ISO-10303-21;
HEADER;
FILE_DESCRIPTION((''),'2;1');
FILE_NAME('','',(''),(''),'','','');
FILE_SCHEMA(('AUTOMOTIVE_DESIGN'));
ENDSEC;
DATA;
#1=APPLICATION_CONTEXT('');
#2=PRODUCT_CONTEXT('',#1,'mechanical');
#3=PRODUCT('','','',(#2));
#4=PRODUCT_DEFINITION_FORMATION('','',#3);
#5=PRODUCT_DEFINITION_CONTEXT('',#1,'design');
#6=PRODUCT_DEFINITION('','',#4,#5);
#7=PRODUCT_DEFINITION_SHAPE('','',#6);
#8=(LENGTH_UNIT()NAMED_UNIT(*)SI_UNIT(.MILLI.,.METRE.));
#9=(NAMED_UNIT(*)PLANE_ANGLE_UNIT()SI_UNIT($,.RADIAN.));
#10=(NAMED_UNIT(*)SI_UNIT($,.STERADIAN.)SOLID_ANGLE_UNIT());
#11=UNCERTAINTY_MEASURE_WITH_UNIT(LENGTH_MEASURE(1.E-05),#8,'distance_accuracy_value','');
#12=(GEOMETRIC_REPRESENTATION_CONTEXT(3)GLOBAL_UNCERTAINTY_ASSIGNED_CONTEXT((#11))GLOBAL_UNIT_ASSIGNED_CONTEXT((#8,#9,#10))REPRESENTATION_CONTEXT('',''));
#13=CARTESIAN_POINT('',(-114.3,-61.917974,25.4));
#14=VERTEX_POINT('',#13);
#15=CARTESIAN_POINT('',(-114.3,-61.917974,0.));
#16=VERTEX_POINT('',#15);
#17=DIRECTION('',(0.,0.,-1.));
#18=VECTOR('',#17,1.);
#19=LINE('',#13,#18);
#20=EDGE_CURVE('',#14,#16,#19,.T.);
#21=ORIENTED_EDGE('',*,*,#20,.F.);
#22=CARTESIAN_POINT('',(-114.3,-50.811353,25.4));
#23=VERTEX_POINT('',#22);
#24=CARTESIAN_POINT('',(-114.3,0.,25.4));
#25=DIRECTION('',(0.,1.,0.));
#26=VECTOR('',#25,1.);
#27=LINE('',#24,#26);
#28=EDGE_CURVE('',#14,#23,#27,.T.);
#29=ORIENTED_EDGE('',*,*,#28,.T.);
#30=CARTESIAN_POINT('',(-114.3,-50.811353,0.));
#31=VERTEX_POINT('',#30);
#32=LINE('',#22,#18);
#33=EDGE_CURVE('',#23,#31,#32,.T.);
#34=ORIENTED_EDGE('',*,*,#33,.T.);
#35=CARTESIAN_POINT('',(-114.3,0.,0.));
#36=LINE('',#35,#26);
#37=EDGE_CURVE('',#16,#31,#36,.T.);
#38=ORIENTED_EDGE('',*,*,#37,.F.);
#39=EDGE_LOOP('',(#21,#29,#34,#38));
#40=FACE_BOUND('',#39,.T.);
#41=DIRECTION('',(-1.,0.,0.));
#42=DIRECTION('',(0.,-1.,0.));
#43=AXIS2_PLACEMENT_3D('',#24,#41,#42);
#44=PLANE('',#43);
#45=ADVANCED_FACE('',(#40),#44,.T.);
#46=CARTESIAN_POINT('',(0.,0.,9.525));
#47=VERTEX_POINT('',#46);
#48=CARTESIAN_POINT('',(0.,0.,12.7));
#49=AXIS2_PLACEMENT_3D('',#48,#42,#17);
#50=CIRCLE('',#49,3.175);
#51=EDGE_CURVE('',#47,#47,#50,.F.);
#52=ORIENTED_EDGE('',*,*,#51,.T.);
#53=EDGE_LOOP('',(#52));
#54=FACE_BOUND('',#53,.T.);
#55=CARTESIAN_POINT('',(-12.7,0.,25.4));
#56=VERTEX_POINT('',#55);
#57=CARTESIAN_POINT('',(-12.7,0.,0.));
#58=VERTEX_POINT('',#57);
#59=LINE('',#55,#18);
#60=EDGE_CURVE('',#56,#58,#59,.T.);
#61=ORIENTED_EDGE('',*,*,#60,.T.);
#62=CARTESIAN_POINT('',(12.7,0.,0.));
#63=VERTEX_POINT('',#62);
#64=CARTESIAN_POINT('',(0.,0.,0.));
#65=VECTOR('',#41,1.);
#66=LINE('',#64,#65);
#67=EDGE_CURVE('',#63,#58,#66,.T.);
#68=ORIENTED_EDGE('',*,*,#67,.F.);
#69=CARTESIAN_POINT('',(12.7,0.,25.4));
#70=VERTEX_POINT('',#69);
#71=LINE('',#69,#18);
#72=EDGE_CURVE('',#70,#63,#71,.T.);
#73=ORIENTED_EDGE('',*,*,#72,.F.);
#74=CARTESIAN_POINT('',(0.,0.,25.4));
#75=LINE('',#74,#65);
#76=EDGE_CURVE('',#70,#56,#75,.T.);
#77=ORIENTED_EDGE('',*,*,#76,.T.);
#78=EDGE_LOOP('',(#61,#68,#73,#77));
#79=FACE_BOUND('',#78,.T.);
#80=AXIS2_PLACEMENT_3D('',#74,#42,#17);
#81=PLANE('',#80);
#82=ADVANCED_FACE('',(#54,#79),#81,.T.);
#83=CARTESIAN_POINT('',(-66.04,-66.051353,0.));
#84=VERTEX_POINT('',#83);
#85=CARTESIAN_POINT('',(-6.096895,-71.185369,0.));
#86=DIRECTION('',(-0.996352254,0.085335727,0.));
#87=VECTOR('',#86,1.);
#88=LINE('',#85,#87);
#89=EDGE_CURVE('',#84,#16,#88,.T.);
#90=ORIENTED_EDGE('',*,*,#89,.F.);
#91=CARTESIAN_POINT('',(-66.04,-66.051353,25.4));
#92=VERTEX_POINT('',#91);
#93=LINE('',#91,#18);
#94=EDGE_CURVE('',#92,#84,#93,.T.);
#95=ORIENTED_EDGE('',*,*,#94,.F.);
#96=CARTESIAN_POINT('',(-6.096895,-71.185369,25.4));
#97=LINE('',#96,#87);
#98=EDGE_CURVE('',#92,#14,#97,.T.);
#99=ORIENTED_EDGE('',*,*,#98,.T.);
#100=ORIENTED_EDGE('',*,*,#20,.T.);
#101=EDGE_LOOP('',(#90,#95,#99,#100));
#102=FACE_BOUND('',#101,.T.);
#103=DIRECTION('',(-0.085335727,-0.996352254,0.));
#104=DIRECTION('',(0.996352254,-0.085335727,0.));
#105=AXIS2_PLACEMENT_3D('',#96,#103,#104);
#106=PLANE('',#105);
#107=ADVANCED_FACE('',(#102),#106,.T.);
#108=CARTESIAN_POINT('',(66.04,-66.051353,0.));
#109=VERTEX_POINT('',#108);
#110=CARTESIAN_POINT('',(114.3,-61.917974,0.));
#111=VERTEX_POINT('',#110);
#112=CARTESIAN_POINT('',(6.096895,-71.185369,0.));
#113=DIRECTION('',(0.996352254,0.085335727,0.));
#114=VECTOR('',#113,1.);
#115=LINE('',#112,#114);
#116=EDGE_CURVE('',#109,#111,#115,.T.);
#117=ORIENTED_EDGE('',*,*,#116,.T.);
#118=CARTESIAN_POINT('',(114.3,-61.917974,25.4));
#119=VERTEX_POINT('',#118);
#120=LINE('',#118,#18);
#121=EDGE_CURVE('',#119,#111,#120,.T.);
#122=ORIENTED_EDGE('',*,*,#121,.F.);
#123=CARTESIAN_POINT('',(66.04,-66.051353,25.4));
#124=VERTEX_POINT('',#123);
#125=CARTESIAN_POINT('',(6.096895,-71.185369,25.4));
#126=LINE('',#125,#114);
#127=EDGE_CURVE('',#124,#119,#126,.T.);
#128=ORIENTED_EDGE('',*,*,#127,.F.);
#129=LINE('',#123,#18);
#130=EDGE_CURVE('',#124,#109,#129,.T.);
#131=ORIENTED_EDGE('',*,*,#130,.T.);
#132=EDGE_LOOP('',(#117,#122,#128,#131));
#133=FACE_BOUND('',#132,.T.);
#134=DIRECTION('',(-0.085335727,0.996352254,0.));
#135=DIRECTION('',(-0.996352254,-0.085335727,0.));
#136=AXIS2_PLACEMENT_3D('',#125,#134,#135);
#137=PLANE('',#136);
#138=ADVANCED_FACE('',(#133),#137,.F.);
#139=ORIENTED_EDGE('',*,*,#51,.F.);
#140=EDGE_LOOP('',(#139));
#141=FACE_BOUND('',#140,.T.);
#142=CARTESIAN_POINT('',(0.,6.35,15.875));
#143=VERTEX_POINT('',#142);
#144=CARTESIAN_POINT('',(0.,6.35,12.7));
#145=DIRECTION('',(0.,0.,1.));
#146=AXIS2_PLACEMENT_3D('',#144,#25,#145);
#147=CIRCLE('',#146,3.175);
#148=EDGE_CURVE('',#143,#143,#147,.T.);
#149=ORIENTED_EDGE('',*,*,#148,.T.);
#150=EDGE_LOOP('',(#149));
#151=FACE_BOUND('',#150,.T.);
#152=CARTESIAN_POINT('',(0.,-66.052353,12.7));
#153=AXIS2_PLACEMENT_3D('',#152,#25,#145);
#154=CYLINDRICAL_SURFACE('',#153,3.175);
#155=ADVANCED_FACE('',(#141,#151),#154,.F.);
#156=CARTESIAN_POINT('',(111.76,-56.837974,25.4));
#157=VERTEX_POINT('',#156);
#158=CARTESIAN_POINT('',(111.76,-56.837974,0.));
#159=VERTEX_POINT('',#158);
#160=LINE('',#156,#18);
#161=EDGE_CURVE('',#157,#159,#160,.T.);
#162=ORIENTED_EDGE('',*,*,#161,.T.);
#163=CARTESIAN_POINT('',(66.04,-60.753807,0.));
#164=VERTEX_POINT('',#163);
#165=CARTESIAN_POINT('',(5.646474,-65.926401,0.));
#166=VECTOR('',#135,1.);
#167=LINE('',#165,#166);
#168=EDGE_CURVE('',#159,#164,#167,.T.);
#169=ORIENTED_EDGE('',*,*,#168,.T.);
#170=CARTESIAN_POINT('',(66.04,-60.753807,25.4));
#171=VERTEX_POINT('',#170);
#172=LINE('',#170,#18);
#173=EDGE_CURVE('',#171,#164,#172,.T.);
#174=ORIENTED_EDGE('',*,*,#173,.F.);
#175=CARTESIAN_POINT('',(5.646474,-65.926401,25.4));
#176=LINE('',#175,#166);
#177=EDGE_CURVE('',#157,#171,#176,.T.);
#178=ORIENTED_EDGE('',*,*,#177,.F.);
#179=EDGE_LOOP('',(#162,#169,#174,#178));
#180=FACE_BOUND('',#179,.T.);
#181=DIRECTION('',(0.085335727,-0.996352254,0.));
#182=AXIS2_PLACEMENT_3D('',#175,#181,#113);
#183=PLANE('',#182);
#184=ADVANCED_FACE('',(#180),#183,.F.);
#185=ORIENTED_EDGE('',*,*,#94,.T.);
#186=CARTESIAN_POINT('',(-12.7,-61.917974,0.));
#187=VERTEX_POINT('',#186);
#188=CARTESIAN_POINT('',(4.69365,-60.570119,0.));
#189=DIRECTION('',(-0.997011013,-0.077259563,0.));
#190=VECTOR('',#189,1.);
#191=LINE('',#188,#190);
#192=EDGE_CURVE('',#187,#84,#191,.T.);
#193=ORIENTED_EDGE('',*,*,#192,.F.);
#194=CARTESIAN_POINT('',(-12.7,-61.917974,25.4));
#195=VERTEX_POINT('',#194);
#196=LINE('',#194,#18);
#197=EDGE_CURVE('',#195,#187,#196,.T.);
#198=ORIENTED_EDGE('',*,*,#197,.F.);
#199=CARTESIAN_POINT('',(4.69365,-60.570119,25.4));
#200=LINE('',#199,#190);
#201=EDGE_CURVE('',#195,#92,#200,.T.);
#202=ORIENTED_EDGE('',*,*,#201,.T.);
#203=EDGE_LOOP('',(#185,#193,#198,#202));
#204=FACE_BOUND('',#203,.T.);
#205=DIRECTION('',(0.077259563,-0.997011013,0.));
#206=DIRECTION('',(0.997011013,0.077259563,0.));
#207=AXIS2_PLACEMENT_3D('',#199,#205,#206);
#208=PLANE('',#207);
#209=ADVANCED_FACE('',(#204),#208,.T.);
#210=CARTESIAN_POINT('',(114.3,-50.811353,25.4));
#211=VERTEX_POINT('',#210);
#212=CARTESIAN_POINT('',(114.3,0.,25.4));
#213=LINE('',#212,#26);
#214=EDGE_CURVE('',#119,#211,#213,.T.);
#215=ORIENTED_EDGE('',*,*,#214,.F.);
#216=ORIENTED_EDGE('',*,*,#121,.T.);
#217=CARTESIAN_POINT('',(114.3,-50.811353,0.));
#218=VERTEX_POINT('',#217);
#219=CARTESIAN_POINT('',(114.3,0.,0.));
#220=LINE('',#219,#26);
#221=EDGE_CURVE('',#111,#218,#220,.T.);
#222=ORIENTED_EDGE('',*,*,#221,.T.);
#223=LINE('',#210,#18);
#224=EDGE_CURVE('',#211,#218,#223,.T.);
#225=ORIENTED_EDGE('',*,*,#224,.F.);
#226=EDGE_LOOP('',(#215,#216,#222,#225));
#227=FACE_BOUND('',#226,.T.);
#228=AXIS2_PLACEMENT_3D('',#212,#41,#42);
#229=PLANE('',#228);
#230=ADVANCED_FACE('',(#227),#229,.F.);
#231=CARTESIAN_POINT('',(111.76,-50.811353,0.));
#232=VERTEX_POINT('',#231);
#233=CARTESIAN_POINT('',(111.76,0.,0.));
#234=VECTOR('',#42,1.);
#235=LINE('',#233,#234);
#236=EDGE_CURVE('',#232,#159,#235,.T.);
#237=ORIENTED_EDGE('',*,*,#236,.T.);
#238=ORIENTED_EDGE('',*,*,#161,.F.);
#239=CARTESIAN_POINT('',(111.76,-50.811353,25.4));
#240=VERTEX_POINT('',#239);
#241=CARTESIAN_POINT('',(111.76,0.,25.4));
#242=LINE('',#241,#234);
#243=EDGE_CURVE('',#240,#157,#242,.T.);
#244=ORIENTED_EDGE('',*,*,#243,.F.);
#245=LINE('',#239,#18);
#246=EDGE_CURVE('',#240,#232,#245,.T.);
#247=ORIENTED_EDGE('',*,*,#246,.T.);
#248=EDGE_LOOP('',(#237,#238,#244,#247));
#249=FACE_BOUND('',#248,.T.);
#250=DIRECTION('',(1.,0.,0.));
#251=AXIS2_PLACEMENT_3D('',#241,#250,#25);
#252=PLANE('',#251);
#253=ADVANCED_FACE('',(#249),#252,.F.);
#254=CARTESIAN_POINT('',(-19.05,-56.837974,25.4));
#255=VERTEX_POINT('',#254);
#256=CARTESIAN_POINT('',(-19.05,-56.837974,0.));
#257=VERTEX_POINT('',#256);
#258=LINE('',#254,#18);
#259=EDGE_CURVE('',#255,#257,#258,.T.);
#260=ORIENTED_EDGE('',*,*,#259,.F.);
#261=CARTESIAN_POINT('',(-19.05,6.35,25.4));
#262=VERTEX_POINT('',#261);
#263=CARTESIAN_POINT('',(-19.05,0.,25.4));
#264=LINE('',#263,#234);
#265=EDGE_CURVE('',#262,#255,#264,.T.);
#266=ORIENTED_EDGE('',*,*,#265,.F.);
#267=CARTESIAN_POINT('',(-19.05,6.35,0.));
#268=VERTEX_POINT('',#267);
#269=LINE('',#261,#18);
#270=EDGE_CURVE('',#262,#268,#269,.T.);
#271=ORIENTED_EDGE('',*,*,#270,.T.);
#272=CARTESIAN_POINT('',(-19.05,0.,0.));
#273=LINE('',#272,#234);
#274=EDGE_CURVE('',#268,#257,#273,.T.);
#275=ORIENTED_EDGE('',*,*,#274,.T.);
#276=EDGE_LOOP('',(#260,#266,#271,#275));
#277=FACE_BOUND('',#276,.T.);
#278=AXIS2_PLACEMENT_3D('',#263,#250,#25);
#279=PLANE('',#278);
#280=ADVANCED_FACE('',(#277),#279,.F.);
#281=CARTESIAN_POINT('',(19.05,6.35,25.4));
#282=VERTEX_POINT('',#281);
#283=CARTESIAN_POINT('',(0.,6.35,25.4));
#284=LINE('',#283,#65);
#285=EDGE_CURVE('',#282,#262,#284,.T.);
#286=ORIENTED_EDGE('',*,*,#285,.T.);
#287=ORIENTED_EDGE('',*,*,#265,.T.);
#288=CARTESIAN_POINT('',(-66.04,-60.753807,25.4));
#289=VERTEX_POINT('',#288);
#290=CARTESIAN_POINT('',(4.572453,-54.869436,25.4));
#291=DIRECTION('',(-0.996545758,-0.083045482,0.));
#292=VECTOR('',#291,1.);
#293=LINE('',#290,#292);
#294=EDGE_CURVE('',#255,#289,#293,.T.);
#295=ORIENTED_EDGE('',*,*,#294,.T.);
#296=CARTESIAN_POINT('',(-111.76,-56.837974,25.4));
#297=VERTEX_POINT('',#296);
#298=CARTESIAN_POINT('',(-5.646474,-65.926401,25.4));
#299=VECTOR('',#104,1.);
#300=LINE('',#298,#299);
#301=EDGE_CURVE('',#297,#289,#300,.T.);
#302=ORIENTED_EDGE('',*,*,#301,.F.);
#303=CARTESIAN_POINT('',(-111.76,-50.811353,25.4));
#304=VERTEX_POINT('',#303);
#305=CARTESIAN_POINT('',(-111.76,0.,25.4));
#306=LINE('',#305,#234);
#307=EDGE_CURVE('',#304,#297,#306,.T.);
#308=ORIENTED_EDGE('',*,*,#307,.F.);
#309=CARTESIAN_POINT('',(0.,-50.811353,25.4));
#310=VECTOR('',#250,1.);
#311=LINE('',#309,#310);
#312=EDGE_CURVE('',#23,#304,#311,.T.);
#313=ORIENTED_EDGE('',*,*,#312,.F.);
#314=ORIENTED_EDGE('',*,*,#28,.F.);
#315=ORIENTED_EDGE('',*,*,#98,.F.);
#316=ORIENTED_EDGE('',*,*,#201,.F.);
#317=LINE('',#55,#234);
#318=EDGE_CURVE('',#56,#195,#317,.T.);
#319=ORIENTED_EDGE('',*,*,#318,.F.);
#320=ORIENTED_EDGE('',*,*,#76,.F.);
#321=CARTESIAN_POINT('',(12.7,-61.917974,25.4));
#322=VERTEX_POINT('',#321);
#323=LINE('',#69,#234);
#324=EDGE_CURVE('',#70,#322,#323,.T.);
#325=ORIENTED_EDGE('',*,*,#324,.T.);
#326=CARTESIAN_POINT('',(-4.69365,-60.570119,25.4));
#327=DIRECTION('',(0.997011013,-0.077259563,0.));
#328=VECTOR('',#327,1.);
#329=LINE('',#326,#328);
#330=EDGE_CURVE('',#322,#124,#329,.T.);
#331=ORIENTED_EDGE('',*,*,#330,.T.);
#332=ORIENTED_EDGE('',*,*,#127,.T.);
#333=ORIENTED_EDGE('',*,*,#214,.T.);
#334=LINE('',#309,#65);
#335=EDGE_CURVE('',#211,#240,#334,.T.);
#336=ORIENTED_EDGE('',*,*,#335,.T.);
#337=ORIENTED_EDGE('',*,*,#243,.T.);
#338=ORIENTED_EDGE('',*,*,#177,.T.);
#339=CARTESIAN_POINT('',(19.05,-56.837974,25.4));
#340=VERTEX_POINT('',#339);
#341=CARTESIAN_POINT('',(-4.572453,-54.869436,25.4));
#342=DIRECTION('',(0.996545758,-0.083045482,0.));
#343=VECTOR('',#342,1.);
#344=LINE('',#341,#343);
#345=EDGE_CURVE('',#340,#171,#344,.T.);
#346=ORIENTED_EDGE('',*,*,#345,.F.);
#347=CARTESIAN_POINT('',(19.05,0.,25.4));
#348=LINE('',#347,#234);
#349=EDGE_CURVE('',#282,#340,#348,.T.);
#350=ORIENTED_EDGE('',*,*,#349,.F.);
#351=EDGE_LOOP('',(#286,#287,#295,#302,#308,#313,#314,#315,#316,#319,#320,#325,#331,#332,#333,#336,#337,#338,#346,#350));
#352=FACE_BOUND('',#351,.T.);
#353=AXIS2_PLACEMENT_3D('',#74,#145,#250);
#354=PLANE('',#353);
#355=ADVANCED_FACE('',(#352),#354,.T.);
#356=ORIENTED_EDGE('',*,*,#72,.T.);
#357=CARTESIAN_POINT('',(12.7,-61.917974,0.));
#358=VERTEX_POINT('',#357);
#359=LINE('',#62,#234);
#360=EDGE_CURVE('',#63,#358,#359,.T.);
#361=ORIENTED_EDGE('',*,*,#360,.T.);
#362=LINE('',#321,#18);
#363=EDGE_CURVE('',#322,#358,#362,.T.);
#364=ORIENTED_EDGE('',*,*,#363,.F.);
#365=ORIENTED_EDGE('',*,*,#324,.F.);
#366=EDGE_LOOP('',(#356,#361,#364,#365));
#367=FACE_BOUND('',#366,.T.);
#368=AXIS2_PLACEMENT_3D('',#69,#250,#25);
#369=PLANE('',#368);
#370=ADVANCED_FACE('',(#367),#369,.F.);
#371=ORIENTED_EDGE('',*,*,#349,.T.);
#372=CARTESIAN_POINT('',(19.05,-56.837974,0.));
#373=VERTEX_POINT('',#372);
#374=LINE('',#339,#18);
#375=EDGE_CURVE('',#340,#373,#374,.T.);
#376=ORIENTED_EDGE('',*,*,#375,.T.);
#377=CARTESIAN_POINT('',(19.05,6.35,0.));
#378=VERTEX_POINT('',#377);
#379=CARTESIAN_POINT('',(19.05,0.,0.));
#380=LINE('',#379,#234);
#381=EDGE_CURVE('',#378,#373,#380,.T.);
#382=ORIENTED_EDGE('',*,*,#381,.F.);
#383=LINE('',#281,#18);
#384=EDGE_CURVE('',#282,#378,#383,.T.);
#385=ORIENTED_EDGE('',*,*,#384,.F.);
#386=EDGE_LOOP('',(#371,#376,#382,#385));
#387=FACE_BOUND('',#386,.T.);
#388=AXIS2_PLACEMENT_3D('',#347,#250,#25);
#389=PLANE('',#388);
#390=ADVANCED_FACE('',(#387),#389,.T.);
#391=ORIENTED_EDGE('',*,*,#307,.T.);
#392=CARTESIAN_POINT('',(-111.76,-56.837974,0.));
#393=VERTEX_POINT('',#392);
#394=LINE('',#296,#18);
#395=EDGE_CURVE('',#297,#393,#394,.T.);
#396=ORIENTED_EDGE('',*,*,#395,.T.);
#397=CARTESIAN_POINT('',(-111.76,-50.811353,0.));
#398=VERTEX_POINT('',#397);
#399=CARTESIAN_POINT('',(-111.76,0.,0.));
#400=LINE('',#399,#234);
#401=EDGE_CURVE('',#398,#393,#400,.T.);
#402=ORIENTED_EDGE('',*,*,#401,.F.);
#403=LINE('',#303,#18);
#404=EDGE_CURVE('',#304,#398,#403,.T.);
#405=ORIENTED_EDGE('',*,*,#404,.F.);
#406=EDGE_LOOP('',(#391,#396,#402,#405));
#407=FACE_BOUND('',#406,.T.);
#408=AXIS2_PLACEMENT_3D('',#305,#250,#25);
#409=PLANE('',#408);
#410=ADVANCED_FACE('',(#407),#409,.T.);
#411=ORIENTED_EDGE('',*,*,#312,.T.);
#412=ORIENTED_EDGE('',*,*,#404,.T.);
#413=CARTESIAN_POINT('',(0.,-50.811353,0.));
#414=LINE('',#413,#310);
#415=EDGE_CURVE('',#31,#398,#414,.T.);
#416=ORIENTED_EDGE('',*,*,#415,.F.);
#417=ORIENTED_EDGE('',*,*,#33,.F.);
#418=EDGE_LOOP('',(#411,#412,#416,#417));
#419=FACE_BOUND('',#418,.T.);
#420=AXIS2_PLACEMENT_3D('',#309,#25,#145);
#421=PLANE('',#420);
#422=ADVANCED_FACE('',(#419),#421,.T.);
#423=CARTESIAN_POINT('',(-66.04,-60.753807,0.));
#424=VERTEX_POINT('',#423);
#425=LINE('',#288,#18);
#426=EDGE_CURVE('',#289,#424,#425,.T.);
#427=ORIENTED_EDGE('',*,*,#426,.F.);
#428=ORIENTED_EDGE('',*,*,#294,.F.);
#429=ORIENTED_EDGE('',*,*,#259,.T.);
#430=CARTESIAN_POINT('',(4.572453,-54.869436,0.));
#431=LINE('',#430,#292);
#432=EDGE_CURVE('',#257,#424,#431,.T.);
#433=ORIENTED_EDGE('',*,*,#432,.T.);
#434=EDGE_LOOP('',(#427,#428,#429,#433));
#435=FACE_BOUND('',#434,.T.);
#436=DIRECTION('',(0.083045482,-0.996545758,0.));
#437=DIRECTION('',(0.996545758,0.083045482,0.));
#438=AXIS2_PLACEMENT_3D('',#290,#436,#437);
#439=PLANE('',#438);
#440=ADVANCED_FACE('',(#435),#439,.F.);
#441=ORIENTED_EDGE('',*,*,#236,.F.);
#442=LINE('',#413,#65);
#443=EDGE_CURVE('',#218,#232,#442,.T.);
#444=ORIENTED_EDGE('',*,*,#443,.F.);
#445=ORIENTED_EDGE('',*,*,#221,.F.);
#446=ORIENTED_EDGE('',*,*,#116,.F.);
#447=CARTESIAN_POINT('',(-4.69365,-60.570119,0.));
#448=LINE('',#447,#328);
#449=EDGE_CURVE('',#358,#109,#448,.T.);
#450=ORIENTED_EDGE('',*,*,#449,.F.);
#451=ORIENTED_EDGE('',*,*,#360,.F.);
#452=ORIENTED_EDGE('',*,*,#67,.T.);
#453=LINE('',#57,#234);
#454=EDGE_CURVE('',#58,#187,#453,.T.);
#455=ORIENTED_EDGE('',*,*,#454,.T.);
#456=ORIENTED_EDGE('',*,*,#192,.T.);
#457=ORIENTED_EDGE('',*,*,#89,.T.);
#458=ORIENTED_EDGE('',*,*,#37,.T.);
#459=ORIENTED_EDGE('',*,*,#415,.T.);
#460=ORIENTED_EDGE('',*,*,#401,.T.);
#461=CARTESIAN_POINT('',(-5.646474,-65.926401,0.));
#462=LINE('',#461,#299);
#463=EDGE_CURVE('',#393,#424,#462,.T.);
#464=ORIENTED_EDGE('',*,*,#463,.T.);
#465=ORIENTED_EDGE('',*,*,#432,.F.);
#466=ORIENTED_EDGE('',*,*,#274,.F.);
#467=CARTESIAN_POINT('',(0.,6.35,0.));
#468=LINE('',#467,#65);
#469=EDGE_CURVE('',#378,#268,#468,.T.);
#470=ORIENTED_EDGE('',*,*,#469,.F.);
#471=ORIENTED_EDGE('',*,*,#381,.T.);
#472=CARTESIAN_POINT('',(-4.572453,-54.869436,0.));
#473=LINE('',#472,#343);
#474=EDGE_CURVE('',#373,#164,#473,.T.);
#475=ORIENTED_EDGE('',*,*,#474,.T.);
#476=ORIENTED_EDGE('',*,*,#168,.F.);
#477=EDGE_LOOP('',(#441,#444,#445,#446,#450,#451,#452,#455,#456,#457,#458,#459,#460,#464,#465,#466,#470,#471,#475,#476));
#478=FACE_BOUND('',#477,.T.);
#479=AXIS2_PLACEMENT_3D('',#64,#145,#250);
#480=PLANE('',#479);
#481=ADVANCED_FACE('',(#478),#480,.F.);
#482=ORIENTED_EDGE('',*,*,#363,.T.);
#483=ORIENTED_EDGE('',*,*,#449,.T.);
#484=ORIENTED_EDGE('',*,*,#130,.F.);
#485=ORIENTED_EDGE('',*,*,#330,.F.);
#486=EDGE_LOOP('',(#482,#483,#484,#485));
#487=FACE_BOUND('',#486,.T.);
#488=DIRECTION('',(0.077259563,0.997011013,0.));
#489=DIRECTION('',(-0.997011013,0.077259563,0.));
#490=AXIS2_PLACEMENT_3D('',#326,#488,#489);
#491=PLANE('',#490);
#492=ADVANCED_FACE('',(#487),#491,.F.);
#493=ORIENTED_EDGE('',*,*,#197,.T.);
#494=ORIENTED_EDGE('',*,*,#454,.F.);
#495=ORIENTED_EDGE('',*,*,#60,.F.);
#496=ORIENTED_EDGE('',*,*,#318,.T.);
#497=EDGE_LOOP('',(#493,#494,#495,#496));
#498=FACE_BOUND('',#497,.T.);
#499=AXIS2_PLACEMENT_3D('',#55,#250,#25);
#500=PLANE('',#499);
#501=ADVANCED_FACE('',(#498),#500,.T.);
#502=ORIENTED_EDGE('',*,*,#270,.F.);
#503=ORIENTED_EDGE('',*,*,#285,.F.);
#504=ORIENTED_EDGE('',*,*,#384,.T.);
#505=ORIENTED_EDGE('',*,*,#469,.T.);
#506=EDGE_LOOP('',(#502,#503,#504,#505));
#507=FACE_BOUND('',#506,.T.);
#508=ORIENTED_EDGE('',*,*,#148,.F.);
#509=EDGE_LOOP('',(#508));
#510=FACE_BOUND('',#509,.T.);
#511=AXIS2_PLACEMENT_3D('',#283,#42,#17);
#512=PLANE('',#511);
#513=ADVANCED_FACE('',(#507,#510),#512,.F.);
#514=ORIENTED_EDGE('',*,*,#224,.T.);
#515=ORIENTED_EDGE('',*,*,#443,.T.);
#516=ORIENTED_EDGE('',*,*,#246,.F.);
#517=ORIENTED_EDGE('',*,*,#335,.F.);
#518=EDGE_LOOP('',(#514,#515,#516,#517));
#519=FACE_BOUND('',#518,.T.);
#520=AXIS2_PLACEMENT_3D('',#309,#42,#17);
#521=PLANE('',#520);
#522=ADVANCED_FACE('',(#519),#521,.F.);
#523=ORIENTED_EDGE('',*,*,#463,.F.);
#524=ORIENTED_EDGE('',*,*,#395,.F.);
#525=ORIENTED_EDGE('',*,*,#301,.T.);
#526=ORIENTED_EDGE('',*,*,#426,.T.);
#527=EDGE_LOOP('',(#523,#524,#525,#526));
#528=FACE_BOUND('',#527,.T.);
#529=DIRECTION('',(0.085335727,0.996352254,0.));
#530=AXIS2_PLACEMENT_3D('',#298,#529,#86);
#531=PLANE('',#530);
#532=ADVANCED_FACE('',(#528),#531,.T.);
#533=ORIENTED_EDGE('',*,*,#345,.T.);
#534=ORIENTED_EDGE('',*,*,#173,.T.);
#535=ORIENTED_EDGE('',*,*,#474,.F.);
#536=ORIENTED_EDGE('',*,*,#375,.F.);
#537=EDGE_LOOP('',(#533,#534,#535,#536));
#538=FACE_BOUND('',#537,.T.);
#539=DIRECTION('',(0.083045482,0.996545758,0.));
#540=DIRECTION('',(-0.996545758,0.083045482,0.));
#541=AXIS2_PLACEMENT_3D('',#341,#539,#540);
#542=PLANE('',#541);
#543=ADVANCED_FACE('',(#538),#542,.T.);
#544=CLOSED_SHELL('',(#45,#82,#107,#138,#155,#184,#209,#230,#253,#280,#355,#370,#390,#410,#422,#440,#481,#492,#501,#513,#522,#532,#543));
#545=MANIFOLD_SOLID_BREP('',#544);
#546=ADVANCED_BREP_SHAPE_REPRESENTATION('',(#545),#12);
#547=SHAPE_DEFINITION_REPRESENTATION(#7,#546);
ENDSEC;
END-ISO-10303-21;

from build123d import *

# Parameters (mm, degrees)
BOSS_EXTRUDE1_DEPTH = 25.4
CUT_EXTRUDE1_REACH  = 139.665
SKETCH3_R           = 3.175


with BuildPart() as part:
    # Sketch2 → Boss-Extrude1 (new body)
    with BuildSketch(Plane.XY):
        Polygon((0, 0), (12.7, 0), (12.7, -61.9179737), (66.04, -66.051353419), (114.3, -61.9179737), (114.3, -50.811353419), (111.76, -50.811353419), (111.76, -56.8379737), (66.04, -60.753807118), (19.05, -56.8379737), (19.05, 0), (19.05, 6.35), (0, 6.35), align=None)
        Polygon((-12.7, 0), (0, 0), (0, 6.35), (-19.05, 6.35), (-19.05, 0), (-19.05, -56.8379737), (-66.04, -60.753807118), (-111.76, -56.8379737), (-111.76, -50.811353419), (-114.3, -50.811353419), (-114.3, -61.9179737), (-66.04, -66.051353419), (-12.7, -61.9179737), align=None)
    extrude(amount=BOSS_EXTRUDE1_DEPTH)

    # Sketch3 → Cut-Extrude1 (cut, up to next)
    with BuildSketch(Plane(origin=(0, 6.35, 0), x_dir=(1, 0, 0), z_dir=(0, 1, 0)), mode=Mode.PRIVATE) as cut_extrude1_sk1:
        with Locations(Location((0, -12.7, 0), (0, 0, 270))):
            Circle(SKETCH3_R)
    cut_extrude1_tool1 = extrude(cut_extrude1_sk1.sketch, amount=-CUT_EXTRUDE1_REACH, mode=Mode.PRIVATE) & part.part
    add(cut_extrude1_tool1.solids().sort_by_distance((0, 6.35, 12.7))[0], mode=Mode.SUBTRACT)


solid = part.part
